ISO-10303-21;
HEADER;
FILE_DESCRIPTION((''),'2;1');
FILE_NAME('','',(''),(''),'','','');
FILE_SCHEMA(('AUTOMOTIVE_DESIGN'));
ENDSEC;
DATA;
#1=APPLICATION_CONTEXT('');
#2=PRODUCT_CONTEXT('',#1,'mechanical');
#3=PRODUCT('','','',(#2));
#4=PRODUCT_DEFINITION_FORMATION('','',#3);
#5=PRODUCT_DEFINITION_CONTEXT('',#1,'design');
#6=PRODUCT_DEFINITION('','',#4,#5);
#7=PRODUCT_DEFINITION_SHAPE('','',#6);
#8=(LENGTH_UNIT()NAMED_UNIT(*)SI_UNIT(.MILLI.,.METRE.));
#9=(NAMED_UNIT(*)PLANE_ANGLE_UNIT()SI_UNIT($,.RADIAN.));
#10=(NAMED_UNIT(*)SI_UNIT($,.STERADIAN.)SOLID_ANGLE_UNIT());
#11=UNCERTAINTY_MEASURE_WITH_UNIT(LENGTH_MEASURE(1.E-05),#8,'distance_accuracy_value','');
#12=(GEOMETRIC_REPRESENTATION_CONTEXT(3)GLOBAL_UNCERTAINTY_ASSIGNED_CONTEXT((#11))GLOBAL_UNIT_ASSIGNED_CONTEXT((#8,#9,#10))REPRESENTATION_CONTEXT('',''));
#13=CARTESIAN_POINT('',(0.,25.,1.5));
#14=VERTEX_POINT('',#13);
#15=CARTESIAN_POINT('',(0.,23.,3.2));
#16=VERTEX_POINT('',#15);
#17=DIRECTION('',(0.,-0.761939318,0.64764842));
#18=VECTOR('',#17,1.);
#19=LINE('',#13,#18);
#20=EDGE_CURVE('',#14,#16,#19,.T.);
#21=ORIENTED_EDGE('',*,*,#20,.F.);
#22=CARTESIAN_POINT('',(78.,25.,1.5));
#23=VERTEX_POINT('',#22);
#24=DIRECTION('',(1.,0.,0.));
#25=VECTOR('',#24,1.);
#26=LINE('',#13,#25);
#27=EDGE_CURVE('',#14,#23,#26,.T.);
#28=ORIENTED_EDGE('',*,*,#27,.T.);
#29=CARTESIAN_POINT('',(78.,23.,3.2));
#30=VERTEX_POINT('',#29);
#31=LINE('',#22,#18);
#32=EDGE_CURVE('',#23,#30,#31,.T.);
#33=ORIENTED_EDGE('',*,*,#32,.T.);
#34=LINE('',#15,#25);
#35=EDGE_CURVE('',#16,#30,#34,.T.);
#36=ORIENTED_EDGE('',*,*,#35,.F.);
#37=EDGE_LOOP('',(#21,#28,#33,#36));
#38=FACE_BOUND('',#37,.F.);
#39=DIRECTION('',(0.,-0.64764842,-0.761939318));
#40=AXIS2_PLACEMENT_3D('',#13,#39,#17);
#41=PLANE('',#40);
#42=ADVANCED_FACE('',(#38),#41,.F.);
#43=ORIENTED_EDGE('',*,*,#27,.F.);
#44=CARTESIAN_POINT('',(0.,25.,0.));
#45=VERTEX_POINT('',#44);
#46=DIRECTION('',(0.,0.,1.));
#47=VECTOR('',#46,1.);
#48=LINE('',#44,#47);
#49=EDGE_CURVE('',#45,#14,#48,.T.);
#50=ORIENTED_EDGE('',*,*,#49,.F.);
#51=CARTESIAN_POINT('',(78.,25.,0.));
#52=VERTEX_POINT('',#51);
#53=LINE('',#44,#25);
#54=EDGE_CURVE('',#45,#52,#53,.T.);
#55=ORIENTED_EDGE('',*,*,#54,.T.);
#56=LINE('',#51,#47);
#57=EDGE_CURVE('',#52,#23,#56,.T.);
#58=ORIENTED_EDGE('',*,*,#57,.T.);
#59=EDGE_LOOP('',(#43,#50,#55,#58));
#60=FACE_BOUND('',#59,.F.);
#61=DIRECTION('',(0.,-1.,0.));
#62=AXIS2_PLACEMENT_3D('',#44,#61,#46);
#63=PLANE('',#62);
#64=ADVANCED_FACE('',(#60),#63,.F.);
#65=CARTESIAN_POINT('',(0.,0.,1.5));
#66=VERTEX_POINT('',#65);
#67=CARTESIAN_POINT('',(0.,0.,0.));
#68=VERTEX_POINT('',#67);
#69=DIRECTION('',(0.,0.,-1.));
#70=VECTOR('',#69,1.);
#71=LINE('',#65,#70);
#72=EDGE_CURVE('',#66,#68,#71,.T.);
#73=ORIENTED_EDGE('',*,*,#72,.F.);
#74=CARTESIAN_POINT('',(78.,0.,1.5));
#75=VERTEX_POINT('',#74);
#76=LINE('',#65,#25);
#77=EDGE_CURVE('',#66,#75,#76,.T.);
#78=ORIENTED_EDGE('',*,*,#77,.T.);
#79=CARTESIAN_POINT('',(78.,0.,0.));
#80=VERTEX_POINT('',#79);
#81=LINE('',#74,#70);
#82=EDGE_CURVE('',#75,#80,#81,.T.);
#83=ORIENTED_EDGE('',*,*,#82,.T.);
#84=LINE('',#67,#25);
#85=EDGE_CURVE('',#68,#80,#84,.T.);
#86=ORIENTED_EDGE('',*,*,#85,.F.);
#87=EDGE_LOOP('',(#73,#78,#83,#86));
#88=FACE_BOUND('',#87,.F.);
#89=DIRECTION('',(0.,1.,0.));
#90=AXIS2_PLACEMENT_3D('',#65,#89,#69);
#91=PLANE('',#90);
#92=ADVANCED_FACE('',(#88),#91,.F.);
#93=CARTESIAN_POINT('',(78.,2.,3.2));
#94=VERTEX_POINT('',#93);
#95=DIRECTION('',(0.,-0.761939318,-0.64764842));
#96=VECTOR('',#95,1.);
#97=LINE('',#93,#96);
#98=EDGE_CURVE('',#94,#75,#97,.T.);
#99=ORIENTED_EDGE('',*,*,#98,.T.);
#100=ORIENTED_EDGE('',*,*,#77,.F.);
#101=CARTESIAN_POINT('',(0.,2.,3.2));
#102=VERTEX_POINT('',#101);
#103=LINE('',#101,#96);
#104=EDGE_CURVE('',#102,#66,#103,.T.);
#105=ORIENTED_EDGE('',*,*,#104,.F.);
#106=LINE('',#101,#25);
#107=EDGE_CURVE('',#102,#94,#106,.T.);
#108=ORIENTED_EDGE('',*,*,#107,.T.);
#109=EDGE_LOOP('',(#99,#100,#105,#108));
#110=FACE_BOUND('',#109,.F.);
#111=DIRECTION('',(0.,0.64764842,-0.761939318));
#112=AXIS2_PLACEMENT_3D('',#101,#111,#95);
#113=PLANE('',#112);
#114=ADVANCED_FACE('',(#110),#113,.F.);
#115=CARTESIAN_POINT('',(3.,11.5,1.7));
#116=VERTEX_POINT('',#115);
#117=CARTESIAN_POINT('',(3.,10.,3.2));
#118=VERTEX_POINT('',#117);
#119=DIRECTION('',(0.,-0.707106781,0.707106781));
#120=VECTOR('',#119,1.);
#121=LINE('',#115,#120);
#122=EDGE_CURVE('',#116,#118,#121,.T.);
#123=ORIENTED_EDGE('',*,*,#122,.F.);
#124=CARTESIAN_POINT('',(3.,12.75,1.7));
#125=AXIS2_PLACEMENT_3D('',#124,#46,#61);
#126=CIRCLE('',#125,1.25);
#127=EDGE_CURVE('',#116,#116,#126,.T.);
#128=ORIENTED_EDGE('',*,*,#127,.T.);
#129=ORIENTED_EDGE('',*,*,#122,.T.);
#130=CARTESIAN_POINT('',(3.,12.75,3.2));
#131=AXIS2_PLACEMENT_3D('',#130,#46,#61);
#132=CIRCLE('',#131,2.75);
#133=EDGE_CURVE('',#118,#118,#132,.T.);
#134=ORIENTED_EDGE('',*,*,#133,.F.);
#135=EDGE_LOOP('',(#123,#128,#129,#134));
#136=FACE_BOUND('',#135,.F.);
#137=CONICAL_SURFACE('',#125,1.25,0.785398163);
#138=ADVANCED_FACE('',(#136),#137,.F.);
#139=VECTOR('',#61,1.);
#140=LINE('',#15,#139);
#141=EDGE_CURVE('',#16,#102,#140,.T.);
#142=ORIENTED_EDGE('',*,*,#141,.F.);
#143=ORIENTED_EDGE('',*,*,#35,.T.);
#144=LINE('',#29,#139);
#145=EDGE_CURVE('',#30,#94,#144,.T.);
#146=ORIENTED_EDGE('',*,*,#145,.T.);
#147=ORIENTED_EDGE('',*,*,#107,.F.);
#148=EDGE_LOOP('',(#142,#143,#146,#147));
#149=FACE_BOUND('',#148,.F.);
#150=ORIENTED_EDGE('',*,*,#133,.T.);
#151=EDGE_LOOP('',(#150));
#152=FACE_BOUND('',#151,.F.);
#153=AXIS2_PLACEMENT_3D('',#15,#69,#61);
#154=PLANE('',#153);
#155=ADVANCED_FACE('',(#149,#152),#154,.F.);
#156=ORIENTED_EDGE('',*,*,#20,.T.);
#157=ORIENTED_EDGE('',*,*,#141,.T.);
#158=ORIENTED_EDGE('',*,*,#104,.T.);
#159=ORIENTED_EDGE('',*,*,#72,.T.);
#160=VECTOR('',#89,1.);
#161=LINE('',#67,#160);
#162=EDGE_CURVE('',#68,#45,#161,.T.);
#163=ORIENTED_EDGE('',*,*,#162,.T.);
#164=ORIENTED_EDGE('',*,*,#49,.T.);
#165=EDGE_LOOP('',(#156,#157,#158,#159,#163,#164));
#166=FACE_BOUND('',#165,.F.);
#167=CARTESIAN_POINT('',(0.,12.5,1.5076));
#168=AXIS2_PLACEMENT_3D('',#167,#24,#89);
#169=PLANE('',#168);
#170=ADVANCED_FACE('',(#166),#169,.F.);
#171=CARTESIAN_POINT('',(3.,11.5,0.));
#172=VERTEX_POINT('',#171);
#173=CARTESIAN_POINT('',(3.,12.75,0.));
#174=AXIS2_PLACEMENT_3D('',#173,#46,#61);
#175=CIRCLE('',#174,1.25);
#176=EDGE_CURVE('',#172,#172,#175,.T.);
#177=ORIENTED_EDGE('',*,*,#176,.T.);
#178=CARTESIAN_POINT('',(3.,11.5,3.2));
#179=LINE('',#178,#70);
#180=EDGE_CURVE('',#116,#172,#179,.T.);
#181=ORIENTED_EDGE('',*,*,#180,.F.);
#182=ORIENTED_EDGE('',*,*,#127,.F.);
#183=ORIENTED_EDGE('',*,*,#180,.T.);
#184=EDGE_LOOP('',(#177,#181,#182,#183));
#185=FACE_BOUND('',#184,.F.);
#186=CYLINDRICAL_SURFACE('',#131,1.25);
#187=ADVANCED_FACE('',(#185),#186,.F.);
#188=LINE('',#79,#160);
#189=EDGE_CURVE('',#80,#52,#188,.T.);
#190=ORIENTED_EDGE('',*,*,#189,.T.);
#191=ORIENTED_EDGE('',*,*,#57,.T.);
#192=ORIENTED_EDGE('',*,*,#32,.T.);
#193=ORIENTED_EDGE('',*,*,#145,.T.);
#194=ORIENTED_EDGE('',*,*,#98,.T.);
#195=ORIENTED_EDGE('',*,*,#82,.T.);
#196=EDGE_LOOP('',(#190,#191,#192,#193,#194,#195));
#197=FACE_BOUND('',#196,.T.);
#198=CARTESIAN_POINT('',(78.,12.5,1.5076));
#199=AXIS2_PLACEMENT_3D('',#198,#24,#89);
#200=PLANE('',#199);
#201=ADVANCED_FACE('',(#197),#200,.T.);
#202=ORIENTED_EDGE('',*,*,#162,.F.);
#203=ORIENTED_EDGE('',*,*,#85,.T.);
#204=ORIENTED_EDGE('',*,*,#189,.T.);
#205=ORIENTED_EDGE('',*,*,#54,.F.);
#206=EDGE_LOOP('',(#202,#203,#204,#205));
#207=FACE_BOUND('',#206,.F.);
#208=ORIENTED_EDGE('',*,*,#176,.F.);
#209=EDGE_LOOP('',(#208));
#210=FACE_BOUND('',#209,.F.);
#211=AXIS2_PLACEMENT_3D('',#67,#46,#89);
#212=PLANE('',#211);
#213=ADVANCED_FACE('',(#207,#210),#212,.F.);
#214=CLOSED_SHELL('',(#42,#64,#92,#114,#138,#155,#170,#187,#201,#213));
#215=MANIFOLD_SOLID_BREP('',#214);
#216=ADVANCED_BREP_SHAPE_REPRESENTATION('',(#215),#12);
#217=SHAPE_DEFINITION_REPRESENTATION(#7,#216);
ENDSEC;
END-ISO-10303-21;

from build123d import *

# Parameters (mm, degrees)
PAD_DEPTH    = 78
SKETCH001_R  = 1.25
POCKET_DEPTH = 5
CHAMFER_SIZE = 1.5


with BuildPart() as part:
    # Sketch → Pad (new body)
    with BuildSketch(Plane.YZ):
        Polygon((0, 0), (25, 0), (25, 1.5), (23, 3.2), (2, 3.2), (0, 1.5), align=None)
    extrude(amount=PAD_DEPTH)

    # Sketch001 (on Face4 of Pad) → Pocket (cut)
    with BuildSketch(Plane(origin=(0, 0, 3.2), x_dir=(0, -1, 0), z_dir=(0, 0, 1))):
        with Locations((-12.75, 3)):
            Circle(SKETCH001_R)
    extrude(amount=-POCKET_DEPTH, mode=Mode.SUBTRACT)

    # Chamfer
    chamfer_edges = [part.edges().sort_by_distance(p)[0] for p in [
        (3, 14, 3.2),
    ]]
    chamfer(chamfer_edges, length=CHAMFER_SIZE)


solid = part.part
